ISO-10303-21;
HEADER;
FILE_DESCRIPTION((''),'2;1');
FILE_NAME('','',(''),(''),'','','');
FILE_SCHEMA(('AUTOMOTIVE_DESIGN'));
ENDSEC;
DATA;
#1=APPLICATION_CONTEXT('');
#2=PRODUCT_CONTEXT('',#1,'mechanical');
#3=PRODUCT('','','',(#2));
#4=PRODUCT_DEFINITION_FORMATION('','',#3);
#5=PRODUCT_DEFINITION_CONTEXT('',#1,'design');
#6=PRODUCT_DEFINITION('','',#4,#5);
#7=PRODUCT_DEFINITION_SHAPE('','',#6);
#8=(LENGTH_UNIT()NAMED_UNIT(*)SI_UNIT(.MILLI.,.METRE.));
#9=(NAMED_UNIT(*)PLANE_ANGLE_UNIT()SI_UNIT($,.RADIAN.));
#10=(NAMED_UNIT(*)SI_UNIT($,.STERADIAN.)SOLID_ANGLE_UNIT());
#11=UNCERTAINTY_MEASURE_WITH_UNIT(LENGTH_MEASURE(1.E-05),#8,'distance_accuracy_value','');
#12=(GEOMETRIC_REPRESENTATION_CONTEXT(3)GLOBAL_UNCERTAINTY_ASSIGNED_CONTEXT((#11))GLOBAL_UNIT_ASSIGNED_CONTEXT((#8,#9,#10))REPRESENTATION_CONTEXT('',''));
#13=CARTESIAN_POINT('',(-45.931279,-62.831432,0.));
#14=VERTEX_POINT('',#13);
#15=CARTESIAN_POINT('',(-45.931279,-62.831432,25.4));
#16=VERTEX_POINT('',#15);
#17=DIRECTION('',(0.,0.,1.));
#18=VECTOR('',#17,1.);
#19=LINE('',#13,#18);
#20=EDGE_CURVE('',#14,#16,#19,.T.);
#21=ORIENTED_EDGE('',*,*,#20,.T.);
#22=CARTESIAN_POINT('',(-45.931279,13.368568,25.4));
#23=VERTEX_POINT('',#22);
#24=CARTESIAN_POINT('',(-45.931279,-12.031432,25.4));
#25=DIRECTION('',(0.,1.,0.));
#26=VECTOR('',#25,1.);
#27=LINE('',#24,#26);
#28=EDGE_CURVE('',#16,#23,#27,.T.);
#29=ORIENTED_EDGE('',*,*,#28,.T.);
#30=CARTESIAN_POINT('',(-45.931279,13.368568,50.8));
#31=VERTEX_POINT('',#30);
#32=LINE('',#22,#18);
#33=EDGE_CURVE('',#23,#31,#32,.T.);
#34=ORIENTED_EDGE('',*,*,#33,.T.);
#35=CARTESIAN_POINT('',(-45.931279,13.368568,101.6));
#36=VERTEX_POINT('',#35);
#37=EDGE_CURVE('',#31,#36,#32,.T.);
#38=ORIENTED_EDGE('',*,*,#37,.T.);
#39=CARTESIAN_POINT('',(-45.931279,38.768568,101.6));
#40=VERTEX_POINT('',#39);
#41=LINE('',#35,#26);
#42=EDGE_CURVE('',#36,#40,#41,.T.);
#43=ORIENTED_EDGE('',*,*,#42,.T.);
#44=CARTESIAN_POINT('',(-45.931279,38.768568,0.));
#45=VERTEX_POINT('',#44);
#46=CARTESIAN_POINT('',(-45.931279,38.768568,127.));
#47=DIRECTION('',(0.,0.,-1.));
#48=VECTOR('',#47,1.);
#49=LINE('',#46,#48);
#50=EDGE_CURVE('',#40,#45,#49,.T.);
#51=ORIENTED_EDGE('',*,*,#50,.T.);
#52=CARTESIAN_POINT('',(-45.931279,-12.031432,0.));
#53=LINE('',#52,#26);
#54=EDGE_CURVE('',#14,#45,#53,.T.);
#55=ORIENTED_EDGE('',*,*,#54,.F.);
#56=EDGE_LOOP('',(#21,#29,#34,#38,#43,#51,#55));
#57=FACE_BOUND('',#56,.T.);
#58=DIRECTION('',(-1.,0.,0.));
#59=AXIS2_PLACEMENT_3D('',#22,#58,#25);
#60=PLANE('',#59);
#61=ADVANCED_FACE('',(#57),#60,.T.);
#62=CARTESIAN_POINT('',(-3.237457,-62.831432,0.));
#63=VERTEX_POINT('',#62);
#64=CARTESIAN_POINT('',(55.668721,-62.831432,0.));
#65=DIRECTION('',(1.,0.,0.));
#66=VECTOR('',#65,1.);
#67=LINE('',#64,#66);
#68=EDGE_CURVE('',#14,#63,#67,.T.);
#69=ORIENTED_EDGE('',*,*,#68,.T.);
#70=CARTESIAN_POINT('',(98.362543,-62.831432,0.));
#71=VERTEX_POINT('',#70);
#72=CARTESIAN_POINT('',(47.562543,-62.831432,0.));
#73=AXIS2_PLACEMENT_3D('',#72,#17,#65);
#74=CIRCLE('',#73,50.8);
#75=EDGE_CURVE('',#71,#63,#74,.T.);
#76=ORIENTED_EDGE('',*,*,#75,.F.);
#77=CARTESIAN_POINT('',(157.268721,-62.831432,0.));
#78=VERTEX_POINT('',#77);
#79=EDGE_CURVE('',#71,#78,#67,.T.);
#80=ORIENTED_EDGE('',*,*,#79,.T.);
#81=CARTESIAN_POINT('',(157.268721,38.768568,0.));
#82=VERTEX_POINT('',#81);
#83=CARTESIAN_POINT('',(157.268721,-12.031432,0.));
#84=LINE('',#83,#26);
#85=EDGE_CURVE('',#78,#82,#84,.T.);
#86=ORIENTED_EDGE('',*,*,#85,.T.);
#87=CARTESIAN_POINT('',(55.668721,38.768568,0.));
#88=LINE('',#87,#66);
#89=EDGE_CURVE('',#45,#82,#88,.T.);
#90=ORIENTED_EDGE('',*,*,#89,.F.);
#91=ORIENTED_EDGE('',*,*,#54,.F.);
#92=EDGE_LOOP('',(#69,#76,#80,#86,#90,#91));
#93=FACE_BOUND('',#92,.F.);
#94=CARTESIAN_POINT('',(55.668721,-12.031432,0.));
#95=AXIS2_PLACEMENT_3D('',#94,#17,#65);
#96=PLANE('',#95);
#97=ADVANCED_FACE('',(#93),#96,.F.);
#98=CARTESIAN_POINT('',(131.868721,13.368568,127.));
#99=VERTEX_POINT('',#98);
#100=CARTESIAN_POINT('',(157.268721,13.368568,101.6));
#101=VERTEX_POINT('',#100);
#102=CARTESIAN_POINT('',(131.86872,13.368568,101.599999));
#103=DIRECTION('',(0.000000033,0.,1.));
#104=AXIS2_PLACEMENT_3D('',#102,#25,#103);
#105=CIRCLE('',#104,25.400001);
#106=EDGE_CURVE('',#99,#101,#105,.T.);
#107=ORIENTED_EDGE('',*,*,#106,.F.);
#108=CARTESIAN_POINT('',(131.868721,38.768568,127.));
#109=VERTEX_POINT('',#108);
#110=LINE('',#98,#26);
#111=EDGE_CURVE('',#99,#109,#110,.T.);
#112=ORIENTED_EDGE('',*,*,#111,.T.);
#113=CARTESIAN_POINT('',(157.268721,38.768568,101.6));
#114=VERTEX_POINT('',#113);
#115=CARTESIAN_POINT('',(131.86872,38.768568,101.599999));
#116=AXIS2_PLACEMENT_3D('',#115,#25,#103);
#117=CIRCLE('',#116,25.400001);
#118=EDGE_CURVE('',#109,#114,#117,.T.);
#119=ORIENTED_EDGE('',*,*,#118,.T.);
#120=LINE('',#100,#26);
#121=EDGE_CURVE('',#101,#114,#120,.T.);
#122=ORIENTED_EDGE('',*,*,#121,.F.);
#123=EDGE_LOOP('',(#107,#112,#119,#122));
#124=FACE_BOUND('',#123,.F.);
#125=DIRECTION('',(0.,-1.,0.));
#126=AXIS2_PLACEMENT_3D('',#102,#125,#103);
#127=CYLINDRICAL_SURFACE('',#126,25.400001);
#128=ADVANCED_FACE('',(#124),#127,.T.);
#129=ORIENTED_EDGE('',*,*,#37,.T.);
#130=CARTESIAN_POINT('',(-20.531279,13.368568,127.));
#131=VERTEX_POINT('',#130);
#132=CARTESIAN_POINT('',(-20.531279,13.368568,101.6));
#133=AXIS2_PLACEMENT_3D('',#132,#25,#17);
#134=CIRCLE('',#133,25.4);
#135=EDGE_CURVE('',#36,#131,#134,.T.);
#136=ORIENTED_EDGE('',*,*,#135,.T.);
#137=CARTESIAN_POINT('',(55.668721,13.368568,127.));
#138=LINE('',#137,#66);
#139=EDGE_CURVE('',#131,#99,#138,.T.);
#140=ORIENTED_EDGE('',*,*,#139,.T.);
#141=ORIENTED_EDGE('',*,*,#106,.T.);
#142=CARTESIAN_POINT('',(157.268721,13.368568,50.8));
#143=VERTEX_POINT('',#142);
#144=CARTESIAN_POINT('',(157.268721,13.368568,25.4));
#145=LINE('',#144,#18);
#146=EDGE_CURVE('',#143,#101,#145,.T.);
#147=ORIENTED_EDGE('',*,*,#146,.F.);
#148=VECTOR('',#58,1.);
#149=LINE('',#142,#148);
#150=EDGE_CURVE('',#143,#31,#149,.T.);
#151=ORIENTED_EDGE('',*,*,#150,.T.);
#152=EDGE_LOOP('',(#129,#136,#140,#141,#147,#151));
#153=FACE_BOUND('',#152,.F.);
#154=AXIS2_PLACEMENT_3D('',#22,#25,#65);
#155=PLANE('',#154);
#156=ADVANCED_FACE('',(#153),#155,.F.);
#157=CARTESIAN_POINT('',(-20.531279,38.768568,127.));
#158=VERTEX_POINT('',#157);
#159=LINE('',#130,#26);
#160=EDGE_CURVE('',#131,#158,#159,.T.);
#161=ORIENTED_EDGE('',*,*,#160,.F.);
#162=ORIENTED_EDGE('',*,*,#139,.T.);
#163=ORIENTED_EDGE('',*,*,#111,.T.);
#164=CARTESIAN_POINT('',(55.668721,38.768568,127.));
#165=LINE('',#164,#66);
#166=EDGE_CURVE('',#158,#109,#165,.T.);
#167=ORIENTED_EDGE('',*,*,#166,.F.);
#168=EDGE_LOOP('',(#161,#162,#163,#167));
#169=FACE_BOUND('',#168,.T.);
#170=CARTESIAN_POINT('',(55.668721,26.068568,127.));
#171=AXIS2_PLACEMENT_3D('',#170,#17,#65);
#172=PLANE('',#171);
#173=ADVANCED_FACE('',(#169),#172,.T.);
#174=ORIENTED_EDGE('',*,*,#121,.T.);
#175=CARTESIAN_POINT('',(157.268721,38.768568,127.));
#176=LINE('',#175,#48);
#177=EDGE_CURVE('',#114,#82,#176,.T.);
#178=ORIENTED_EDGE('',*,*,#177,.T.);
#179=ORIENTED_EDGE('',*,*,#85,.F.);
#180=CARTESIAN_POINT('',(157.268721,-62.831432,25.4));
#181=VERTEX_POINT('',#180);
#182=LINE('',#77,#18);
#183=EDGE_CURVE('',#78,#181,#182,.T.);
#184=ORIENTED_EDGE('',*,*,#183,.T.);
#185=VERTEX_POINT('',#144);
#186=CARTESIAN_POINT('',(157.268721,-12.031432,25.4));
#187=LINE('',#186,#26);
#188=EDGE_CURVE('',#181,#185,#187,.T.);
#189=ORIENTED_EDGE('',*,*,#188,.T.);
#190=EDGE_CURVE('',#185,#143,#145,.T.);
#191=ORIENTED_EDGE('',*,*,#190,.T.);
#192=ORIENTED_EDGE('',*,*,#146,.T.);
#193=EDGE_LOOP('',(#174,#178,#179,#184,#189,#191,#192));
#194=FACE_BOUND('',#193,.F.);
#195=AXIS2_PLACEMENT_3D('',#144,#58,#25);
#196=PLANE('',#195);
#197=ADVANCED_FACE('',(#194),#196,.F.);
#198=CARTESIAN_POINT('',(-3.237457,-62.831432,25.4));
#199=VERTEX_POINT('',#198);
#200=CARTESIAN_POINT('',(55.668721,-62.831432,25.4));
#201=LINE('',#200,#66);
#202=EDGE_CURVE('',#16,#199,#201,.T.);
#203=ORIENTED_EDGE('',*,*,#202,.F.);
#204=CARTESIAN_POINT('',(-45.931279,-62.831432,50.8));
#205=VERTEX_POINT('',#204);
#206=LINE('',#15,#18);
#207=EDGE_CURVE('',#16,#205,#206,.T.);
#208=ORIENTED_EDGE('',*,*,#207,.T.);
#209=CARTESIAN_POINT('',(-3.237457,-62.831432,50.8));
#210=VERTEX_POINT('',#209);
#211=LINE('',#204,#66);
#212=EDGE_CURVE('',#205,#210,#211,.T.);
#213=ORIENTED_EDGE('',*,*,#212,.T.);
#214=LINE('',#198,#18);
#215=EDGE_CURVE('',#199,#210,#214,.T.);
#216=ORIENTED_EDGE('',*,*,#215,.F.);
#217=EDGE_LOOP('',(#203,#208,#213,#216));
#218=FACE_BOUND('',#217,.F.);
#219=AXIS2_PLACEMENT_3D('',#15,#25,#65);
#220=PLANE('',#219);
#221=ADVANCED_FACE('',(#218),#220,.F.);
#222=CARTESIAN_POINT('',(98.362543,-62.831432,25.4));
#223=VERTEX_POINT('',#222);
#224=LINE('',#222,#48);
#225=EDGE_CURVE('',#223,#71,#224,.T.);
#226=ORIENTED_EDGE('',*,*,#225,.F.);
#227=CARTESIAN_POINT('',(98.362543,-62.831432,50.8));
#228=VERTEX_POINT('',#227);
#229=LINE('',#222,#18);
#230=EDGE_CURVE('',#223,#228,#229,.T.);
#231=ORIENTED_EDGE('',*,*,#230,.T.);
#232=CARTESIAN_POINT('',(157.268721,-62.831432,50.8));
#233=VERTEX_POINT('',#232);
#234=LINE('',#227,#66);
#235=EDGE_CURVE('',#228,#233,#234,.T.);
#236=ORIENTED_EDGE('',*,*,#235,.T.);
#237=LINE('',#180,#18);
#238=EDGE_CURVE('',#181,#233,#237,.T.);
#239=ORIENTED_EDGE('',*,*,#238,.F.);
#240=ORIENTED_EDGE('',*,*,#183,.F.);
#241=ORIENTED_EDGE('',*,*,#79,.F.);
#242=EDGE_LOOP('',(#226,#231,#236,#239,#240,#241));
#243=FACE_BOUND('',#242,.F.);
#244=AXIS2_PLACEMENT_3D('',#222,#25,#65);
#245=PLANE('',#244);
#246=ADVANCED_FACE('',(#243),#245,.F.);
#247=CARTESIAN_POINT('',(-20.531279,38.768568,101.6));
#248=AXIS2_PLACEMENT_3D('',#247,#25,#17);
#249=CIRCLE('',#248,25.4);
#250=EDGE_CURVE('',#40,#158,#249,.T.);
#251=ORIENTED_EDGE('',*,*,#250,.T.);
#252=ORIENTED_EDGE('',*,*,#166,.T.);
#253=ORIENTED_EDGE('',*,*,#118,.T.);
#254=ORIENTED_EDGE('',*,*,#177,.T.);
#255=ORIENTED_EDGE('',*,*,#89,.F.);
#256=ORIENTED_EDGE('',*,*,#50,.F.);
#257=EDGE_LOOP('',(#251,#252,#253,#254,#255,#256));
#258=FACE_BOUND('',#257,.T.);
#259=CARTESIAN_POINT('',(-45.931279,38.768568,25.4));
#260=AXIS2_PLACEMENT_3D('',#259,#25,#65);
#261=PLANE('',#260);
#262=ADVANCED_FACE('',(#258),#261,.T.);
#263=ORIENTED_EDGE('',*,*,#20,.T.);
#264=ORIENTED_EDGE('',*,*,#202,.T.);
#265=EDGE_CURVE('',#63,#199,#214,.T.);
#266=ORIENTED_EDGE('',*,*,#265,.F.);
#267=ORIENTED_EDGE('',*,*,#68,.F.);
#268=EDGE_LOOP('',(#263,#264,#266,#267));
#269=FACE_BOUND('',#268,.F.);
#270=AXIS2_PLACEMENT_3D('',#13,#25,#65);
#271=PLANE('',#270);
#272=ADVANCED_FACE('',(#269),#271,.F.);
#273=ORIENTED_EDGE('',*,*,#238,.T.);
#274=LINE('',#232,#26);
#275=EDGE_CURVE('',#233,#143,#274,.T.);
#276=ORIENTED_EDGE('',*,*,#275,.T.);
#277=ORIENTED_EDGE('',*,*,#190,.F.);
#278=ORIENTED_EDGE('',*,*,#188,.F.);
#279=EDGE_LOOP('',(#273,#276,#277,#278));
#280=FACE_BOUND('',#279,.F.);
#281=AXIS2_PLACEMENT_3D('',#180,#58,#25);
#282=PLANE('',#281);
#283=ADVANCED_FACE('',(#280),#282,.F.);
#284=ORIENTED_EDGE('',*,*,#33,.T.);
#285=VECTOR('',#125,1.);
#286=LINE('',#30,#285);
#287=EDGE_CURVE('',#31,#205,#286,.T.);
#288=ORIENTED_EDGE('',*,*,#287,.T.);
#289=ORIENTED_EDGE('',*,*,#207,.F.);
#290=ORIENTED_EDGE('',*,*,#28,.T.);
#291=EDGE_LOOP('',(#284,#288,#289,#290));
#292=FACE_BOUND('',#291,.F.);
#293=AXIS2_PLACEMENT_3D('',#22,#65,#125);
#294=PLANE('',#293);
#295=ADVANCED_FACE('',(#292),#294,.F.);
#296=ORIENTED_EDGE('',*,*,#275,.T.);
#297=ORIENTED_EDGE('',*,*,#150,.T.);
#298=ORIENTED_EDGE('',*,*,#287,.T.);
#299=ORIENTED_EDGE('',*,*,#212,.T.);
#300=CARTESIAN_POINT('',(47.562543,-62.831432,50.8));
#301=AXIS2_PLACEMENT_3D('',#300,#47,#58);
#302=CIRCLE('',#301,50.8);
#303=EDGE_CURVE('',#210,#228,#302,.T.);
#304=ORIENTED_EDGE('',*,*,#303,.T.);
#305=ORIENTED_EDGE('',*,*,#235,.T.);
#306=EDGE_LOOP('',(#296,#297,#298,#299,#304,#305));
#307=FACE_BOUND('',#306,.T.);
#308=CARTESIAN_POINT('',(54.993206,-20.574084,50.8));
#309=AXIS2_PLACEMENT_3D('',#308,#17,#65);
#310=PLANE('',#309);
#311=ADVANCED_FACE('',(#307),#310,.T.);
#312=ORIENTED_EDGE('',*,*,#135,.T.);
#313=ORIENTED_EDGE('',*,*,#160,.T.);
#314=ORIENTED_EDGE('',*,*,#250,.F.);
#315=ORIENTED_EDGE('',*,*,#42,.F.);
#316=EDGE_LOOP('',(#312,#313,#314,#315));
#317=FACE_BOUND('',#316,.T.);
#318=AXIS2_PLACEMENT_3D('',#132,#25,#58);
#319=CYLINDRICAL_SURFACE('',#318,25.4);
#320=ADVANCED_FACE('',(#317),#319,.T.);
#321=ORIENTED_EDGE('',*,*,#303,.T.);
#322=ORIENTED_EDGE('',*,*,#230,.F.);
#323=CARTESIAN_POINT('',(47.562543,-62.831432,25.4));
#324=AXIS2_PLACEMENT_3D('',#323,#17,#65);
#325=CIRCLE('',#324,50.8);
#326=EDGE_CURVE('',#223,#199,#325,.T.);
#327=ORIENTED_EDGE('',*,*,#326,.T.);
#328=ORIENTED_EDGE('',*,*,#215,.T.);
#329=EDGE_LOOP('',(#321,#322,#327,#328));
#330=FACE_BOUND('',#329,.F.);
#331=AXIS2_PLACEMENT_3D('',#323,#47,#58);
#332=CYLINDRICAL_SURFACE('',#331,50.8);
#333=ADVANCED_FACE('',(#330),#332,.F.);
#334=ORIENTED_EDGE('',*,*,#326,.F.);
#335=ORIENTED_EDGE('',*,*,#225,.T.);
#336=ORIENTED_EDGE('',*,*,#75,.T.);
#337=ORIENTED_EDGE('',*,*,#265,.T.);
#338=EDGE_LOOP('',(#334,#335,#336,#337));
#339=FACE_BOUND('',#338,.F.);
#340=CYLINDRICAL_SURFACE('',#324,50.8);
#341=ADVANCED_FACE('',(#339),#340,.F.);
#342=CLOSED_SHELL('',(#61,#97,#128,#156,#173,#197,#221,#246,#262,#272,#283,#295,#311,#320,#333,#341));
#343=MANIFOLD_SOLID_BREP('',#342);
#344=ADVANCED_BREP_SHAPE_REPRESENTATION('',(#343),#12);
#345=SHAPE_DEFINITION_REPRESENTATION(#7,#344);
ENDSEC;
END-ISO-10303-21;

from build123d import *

# Parameters (mm, degrees)
F8_W     = 203.2
F8_H     = 101.6
F0_DEPTH = 25.4
F1_W     = 203.2
F1_H     = 25.4
F2_DEPTH = 101.6
F9_DEPTH = 25.4
F4_R     = 25.4
F5_R     = 50.8
F6_DEPTH = 25.4
F7_DEPTH = 25.4


with BuildPart() as f0:
    # F8 (on Top) → F0 (new body)
    with BuildSketch(Plane.XY):
        with Locations((55.668721, -12.031432)):
            Rectangle(F8_W, F8_H)
    extrude(amount=F0_DEPTH)

    # F1 (on face) → F2 (join)
    with BuildSketch(Plane.XY.offset(25.4)):
        with Locations((55.668721, 26.068568)):
            Rectangle(F1_W, F1_H)
    extrude(amount=F2_DEPTH)

    # F3 (on face) → F9 (cut)
    with BuildSketch(Plane.XZ.offset(-13.368568)):
        with BuildLine():
            Line((157.268721, 101.6), (157.268721, 127))
            Line((157.268721, 127), (131.868721, 127))
            ThreePointArc((131.868721, 127), (149.829233, 119.560512), (157.268721, 101.6))
        make_face()
    extrude(amount=-F9_DEPTH, mode=Mode.SUBTRACT)

    # F4
    f4_edges = [f0.edges().sort_by_distance(p)[0] for p in [
        (-45.931279, 26.068568, 127),
    ]]
    fillet(f4_edges, radius=F4_R)

    # F5 (on face) → F6 (cut)
    with BuildSketch(Plane.XY.offset(25.4)):
        with Locations((47.562543, -62.831432)):
            Circle(F5_R)
    extrude(amount=-F6_DEPTH, mode=Mode.SUBTRACT)

    # F0_face (on face) → F7 (join)
    with BuildSketch(Plane(origin=(55.668721, -12.031432, 25.4), x_dir=(1, 0, 0), z_dir=(0, 0, 1))):
        with BuildLine():
            Line((42.693822, -50.8), (101.6, -50.8))
            Line((101.6, -50.8), (101.6, 25.4))
            Line((101.6, 25.4), (-101.6, 25.4))
            Line((-101.6, 25.4), (-101.6, -50.8))
            Line((-101.6, -50.8), (-58.906178, -50.8))
            ThreePointArc((-58.906178, -50.8), (-8.106178, 0), (42.693822, -50.8))
        make_face()
    extrude(amount=F7_DEPTH)


solid = f0.part
